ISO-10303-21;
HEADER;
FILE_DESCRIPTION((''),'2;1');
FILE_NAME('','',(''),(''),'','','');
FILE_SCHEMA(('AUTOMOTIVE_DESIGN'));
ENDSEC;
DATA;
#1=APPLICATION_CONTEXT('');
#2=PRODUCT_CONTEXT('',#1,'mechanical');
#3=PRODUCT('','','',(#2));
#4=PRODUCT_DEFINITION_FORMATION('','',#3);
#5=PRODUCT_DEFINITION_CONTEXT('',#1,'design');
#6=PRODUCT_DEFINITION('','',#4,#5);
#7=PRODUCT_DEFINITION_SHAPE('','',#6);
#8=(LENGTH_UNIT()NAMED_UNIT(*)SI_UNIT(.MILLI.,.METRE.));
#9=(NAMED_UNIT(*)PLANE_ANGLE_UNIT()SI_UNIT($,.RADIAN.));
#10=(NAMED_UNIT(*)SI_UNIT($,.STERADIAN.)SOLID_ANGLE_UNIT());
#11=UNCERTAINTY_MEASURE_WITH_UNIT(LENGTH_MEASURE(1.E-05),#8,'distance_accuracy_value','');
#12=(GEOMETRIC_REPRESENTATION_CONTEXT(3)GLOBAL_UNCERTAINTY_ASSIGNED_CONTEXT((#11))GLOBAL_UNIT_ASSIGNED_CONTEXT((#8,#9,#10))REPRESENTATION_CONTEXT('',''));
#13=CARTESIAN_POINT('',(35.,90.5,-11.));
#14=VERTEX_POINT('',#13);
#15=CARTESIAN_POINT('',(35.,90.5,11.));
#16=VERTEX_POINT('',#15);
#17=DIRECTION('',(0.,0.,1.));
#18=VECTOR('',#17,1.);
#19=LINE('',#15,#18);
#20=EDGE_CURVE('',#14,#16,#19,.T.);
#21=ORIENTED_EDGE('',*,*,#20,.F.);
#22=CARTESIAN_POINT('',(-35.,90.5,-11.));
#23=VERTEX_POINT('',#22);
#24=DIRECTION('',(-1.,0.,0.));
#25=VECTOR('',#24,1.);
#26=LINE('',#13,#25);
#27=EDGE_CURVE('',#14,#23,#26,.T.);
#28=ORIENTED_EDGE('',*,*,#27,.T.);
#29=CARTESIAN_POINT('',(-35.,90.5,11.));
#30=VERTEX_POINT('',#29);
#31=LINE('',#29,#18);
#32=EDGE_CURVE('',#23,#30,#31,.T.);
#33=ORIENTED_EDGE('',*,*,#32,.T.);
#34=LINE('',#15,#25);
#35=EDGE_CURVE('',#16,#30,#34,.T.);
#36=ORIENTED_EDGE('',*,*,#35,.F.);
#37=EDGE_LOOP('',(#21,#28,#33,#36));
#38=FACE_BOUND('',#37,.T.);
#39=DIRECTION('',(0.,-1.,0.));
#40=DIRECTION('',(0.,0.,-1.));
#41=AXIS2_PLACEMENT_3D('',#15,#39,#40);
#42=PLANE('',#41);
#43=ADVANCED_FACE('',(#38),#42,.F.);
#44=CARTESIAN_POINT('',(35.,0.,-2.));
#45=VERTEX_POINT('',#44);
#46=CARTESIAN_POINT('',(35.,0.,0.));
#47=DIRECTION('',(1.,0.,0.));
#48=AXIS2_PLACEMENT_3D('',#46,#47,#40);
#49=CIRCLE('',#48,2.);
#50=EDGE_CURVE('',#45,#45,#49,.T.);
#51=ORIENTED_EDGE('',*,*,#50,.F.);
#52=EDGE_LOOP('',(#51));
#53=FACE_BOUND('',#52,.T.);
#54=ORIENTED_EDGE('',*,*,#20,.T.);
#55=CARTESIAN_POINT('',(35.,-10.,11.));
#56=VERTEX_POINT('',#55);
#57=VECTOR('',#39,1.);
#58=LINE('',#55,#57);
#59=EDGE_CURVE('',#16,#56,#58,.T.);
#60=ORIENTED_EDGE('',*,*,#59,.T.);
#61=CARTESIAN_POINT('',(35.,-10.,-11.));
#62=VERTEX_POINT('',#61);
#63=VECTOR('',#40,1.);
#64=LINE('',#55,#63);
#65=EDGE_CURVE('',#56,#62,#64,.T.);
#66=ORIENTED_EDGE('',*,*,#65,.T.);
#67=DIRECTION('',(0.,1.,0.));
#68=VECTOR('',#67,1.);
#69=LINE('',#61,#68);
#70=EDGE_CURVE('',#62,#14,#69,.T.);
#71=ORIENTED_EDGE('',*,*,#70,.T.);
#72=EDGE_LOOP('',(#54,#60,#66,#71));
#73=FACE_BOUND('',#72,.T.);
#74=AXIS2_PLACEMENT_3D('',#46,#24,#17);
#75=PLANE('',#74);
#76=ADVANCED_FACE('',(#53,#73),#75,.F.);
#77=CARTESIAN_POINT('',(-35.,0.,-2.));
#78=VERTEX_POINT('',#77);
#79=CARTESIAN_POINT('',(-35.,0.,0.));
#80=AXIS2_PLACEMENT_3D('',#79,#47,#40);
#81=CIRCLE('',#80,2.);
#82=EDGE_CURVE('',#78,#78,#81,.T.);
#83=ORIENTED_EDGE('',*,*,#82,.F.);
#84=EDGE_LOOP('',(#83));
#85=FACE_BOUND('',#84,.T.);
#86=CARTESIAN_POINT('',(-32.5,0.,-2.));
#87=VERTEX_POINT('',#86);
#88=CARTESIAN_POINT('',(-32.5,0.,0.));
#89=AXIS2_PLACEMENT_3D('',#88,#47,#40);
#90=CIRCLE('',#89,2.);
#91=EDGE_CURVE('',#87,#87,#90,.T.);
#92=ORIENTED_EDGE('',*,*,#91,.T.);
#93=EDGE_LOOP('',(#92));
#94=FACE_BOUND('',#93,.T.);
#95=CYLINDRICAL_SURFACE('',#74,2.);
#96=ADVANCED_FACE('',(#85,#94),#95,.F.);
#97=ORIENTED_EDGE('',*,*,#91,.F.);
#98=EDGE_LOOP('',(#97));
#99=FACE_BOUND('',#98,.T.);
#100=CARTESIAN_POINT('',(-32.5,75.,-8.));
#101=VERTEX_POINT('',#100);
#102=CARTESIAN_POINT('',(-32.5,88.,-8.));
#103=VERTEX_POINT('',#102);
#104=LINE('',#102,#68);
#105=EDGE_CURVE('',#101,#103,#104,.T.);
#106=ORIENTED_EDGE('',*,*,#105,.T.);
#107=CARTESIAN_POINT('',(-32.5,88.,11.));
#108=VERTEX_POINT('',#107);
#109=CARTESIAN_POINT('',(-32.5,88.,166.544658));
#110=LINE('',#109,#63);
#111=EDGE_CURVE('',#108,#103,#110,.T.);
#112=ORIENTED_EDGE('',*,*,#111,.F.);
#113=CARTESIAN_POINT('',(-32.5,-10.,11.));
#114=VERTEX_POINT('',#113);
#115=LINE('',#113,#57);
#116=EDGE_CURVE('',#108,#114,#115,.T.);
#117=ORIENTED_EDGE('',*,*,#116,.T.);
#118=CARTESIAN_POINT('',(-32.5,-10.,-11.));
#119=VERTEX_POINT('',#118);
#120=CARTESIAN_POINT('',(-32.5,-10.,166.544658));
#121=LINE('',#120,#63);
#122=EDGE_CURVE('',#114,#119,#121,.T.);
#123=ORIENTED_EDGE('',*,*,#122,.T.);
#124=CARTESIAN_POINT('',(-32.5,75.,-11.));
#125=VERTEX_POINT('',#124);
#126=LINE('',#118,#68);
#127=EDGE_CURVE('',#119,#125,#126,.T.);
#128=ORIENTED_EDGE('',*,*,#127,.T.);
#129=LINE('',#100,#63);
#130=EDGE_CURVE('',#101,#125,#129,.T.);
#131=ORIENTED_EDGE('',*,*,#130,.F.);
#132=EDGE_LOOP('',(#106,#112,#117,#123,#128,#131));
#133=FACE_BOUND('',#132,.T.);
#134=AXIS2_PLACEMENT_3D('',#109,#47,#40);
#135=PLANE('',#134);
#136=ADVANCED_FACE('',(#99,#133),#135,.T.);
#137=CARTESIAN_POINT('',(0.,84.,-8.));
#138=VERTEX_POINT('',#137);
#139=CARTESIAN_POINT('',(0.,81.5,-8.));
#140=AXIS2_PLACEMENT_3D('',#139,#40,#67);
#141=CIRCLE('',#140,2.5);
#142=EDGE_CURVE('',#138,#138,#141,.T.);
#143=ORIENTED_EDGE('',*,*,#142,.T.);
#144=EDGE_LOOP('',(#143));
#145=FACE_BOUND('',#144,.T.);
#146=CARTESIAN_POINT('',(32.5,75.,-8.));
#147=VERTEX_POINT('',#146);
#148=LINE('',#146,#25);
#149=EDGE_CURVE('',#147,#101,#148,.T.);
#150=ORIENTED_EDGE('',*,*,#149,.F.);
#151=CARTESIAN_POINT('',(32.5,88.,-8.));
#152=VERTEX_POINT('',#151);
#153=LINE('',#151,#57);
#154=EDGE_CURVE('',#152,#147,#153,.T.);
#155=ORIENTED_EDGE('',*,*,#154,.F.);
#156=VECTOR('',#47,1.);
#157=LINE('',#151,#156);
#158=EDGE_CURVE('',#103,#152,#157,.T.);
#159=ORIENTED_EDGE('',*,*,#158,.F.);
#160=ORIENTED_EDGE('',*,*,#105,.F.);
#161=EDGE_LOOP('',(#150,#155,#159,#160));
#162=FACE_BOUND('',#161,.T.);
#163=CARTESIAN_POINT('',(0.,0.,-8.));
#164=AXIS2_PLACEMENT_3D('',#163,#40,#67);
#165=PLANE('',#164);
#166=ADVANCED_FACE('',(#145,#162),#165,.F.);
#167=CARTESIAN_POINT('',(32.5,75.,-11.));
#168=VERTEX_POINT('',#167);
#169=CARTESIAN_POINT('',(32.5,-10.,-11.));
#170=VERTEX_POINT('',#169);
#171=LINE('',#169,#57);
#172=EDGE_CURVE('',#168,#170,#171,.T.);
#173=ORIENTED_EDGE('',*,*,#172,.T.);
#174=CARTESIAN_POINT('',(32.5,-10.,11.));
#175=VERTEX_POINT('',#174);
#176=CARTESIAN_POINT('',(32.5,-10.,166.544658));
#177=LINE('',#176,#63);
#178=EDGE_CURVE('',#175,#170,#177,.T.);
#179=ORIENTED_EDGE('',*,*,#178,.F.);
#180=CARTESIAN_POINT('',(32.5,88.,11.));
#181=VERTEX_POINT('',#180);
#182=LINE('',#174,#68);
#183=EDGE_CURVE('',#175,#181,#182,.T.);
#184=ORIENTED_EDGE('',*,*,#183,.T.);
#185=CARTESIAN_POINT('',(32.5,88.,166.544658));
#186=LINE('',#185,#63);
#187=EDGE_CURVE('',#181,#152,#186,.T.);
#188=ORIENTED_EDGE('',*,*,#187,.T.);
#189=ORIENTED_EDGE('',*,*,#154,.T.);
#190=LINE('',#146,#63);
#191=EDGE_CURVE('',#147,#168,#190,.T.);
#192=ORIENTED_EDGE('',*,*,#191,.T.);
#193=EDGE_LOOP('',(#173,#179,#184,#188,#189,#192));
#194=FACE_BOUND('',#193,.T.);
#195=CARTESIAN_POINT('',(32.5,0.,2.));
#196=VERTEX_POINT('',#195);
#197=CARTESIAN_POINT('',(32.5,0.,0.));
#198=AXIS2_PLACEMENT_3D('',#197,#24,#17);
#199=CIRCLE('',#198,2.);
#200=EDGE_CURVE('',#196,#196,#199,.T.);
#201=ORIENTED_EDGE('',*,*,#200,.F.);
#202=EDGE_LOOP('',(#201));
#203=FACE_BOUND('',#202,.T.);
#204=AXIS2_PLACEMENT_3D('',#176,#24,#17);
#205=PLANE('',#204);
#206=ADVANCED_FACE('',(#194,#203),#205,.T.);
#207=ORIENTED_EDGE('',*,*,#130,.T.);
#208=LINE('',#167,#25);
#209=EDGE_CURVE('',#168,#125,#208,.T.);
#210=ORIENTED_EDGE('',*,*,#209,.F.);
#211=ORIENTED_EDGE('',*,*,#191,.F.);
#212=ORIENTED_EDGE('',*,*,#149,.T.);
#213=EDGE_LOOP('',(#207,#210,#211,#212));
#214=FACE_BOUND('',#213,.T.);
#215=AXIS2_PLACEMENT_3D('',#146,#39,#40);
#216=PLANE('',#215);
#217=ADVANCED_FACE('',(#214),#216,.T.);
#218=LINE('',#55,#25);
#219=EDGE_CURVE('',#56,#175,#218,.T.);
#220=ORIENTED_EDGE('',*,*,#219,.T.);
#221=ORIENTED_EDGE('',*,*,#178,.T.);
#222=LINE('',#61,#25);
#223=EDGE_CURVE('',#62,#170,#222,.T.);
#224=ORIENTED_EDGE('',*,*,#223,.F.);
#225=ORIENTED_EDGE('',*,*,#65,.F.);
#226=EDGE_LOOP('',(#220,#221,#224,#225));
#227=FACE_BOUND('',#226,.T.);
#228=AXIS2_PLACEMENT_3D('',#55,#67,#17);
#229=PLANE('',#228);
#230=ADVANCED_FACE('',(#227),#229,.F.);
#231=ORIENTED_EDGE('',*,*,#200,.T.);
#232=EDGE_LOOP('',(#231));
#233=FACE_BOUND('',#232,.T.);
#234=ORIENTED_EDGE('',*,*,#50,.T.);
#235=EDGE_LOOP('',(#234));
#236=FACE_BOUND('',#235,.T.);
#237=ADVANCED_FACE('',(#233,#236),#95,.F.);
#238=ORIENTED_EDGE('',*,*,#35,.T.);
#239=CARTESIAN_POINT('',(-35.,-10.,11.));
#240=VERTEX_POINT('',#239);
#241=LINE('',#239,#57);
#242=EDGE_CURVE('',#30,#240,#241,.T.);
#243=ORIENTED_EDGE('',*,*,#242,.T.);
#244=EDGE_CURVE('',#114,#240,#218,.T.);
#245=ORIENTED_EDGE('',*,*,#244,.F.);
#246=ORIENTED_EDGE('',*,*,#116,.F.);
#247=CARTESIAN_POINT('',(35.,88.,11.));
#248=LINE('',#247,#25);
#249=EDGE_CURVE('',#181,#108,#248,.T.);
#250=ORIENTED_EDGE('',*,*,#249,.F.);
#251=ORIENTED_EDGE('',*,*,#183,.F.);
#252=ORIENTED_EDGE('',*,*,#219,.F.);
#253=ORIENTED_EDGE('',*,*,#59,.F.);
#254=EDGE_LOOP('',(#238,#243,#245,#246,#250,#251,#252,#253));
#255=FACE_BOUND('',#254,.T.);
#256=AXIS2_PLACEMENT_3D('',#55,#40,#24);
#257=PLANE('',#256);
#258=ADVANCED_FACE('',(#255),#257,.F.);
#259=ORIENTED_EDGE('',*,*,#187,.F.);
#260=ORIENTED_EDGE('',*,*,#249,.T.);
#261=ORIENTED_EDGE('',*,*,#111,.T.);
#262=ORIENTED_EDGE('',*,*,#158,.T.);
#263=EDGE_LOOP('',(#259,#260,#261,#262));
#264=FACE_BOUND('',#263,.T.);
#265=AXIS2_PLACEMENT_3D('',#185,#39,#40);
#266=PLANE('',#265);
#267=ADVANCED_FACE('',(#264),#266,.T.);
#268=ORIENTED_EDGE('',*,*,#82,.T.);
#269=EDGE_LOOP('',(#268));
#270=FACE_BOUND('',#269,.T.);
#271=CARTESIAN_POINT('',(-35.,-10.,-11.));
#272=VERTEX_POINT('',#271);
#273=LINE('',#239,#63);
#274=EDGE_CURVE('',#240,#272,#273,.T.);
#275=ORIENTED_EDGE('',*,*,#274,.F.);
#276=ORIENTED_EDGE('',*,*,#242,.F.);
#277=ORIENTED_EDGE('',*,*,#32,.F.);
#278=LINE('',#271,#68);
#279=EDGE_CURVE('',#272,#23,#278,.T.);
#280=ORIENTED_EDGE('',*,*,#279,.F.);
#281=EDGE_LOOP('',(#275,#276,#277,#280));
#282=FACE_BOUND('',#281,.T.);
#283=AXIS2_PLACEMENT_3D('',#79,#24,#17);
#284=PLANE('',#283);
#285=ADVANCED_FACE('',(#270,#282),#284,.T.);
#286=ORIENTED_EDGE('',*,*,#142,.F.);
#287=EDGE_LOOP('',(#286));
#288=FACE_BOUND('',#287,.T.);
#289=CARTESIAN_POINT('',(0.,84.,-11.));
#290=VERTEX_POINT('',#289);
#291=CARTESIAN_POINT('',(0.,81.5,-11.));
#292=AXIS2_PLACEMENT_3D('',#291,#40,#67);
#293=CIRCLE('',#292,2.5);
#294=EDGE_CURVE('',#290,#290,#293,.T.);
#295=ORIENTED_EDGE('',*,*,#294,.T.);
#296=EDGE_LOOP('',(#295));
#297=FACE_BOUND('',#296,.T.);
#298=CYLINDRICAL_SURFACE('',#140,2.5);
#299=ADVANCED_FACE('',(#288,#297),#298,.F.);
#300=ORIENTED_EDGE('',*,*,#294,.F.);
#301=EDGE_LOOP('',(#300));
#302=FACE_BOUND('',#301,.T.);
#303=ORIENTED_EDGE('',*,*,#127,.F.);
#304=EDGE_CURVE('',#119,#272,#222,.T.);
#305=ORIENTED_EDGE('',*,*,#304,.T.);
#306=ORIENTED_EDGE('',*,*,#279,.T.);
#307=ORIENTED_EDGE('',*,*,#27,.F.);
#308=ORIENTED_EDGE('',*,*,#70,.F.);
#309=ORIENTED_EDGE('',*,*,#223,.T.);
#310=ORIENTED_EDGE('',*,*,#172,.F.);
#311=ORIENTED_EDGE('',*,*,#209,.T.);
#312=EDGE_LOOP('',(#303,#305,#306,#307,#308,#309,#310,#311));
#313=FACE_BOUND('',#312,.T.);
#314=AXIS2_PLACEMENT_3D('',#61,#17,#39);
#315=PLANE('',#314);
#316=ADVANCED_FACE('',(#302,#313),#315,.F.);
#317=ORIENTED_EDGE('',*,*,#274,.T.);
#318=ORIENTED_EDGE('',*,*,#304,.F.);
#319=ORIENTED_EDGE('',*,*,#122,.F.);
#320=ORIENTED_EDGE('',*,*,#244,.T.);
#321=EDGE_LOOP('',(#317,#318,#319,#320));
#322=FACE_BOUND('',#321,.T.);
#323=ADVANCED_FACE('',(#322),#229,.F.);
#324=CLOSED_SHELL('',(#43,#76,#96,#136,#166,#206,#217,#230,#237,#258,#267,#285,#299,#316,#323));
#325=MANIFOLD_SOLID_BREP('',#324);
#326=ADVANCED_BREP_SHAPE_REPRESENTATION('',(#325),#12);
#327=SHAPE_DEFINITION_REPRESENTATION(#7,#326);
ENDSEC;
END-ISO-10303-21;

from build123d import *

# Parameters (mm, degrees)
CROQUIS1_W                 = 22
CROQUIS1_H                 = 100.5
CROQUIS1_R                 = 2
SALIENTE_EXTRUIR1_DEPTH    = 35
CORTAR_EXTRUIR2_DEPTH      = 100.494974747
CORTAR_EXTRUIR2_DEPTH_BACK = 100.494974747
CROQUIS3_W                 = 65
CROQUIS3_H                 = 13
CROQUIS3_R                 = 2.5
SALIENTE_EXTRUIR3_DEPTH    = 3


with BuildPart() as part:
    # Croquis1 → Saliente-Extruir1 (new, symmetric)
    with BuildSketch(Plane(origin=(0, 0, 0), x_dir=(0, 0, -1), z_dir=(1, 0, 0))):
        with Locations((0, 40.25)):
            Rectangle(CROQUIS1_W, CROQUIS1_H)
        Circle(CROQUIS1_R, mode=Mode.SUBTRACT)
    extrude(amount=SALIENTE_EXTRUIR1_DEPTH, both=True)

    # Croquis2 → Cortar-Extruir2 (cut, two sides: drawn at the far end of the back side and taken through both)
    with BuildSketch(Plane.XY.offset(11).offset(-CORTAR_EXTRUIR2_DEPTH_BACK)):
        Polygon((32.5, -262.128065288), (32.5, -10), (32.5, 88), (-32.5, 88), (-32.5, -10), (-32.5, -262.128065288), (-32.5, -766.384195863), (32.5, -766.384195863), align=None)
    extrude(amount=CORTAR_EXTRUIR2_DEPTH + CORTAR_EXTRUIR2_DEPTH_BACK, mode=Mode.SUBTRACT)

    # Croquis3 → Saliente-Extruir3 (add)
    with BuildSketch(Plane(origin=(0, 0, -11), x_dir=(-1, 0, 0), z_dir=(0, 0, -1))):
        with Locations((0, 81.5)):
            Rectangle(CROQUIS3_W, CROQUIS3_H)
        with Locations(Location((0, 81.5, 0), (0, 0, 90))):
            Circle(CROQUIS3_R, mode=Mode.SUBTRACT)
    extrude(amount=-SALIENTE_EXTRUIR3_DEPTH)


solid = part.part
